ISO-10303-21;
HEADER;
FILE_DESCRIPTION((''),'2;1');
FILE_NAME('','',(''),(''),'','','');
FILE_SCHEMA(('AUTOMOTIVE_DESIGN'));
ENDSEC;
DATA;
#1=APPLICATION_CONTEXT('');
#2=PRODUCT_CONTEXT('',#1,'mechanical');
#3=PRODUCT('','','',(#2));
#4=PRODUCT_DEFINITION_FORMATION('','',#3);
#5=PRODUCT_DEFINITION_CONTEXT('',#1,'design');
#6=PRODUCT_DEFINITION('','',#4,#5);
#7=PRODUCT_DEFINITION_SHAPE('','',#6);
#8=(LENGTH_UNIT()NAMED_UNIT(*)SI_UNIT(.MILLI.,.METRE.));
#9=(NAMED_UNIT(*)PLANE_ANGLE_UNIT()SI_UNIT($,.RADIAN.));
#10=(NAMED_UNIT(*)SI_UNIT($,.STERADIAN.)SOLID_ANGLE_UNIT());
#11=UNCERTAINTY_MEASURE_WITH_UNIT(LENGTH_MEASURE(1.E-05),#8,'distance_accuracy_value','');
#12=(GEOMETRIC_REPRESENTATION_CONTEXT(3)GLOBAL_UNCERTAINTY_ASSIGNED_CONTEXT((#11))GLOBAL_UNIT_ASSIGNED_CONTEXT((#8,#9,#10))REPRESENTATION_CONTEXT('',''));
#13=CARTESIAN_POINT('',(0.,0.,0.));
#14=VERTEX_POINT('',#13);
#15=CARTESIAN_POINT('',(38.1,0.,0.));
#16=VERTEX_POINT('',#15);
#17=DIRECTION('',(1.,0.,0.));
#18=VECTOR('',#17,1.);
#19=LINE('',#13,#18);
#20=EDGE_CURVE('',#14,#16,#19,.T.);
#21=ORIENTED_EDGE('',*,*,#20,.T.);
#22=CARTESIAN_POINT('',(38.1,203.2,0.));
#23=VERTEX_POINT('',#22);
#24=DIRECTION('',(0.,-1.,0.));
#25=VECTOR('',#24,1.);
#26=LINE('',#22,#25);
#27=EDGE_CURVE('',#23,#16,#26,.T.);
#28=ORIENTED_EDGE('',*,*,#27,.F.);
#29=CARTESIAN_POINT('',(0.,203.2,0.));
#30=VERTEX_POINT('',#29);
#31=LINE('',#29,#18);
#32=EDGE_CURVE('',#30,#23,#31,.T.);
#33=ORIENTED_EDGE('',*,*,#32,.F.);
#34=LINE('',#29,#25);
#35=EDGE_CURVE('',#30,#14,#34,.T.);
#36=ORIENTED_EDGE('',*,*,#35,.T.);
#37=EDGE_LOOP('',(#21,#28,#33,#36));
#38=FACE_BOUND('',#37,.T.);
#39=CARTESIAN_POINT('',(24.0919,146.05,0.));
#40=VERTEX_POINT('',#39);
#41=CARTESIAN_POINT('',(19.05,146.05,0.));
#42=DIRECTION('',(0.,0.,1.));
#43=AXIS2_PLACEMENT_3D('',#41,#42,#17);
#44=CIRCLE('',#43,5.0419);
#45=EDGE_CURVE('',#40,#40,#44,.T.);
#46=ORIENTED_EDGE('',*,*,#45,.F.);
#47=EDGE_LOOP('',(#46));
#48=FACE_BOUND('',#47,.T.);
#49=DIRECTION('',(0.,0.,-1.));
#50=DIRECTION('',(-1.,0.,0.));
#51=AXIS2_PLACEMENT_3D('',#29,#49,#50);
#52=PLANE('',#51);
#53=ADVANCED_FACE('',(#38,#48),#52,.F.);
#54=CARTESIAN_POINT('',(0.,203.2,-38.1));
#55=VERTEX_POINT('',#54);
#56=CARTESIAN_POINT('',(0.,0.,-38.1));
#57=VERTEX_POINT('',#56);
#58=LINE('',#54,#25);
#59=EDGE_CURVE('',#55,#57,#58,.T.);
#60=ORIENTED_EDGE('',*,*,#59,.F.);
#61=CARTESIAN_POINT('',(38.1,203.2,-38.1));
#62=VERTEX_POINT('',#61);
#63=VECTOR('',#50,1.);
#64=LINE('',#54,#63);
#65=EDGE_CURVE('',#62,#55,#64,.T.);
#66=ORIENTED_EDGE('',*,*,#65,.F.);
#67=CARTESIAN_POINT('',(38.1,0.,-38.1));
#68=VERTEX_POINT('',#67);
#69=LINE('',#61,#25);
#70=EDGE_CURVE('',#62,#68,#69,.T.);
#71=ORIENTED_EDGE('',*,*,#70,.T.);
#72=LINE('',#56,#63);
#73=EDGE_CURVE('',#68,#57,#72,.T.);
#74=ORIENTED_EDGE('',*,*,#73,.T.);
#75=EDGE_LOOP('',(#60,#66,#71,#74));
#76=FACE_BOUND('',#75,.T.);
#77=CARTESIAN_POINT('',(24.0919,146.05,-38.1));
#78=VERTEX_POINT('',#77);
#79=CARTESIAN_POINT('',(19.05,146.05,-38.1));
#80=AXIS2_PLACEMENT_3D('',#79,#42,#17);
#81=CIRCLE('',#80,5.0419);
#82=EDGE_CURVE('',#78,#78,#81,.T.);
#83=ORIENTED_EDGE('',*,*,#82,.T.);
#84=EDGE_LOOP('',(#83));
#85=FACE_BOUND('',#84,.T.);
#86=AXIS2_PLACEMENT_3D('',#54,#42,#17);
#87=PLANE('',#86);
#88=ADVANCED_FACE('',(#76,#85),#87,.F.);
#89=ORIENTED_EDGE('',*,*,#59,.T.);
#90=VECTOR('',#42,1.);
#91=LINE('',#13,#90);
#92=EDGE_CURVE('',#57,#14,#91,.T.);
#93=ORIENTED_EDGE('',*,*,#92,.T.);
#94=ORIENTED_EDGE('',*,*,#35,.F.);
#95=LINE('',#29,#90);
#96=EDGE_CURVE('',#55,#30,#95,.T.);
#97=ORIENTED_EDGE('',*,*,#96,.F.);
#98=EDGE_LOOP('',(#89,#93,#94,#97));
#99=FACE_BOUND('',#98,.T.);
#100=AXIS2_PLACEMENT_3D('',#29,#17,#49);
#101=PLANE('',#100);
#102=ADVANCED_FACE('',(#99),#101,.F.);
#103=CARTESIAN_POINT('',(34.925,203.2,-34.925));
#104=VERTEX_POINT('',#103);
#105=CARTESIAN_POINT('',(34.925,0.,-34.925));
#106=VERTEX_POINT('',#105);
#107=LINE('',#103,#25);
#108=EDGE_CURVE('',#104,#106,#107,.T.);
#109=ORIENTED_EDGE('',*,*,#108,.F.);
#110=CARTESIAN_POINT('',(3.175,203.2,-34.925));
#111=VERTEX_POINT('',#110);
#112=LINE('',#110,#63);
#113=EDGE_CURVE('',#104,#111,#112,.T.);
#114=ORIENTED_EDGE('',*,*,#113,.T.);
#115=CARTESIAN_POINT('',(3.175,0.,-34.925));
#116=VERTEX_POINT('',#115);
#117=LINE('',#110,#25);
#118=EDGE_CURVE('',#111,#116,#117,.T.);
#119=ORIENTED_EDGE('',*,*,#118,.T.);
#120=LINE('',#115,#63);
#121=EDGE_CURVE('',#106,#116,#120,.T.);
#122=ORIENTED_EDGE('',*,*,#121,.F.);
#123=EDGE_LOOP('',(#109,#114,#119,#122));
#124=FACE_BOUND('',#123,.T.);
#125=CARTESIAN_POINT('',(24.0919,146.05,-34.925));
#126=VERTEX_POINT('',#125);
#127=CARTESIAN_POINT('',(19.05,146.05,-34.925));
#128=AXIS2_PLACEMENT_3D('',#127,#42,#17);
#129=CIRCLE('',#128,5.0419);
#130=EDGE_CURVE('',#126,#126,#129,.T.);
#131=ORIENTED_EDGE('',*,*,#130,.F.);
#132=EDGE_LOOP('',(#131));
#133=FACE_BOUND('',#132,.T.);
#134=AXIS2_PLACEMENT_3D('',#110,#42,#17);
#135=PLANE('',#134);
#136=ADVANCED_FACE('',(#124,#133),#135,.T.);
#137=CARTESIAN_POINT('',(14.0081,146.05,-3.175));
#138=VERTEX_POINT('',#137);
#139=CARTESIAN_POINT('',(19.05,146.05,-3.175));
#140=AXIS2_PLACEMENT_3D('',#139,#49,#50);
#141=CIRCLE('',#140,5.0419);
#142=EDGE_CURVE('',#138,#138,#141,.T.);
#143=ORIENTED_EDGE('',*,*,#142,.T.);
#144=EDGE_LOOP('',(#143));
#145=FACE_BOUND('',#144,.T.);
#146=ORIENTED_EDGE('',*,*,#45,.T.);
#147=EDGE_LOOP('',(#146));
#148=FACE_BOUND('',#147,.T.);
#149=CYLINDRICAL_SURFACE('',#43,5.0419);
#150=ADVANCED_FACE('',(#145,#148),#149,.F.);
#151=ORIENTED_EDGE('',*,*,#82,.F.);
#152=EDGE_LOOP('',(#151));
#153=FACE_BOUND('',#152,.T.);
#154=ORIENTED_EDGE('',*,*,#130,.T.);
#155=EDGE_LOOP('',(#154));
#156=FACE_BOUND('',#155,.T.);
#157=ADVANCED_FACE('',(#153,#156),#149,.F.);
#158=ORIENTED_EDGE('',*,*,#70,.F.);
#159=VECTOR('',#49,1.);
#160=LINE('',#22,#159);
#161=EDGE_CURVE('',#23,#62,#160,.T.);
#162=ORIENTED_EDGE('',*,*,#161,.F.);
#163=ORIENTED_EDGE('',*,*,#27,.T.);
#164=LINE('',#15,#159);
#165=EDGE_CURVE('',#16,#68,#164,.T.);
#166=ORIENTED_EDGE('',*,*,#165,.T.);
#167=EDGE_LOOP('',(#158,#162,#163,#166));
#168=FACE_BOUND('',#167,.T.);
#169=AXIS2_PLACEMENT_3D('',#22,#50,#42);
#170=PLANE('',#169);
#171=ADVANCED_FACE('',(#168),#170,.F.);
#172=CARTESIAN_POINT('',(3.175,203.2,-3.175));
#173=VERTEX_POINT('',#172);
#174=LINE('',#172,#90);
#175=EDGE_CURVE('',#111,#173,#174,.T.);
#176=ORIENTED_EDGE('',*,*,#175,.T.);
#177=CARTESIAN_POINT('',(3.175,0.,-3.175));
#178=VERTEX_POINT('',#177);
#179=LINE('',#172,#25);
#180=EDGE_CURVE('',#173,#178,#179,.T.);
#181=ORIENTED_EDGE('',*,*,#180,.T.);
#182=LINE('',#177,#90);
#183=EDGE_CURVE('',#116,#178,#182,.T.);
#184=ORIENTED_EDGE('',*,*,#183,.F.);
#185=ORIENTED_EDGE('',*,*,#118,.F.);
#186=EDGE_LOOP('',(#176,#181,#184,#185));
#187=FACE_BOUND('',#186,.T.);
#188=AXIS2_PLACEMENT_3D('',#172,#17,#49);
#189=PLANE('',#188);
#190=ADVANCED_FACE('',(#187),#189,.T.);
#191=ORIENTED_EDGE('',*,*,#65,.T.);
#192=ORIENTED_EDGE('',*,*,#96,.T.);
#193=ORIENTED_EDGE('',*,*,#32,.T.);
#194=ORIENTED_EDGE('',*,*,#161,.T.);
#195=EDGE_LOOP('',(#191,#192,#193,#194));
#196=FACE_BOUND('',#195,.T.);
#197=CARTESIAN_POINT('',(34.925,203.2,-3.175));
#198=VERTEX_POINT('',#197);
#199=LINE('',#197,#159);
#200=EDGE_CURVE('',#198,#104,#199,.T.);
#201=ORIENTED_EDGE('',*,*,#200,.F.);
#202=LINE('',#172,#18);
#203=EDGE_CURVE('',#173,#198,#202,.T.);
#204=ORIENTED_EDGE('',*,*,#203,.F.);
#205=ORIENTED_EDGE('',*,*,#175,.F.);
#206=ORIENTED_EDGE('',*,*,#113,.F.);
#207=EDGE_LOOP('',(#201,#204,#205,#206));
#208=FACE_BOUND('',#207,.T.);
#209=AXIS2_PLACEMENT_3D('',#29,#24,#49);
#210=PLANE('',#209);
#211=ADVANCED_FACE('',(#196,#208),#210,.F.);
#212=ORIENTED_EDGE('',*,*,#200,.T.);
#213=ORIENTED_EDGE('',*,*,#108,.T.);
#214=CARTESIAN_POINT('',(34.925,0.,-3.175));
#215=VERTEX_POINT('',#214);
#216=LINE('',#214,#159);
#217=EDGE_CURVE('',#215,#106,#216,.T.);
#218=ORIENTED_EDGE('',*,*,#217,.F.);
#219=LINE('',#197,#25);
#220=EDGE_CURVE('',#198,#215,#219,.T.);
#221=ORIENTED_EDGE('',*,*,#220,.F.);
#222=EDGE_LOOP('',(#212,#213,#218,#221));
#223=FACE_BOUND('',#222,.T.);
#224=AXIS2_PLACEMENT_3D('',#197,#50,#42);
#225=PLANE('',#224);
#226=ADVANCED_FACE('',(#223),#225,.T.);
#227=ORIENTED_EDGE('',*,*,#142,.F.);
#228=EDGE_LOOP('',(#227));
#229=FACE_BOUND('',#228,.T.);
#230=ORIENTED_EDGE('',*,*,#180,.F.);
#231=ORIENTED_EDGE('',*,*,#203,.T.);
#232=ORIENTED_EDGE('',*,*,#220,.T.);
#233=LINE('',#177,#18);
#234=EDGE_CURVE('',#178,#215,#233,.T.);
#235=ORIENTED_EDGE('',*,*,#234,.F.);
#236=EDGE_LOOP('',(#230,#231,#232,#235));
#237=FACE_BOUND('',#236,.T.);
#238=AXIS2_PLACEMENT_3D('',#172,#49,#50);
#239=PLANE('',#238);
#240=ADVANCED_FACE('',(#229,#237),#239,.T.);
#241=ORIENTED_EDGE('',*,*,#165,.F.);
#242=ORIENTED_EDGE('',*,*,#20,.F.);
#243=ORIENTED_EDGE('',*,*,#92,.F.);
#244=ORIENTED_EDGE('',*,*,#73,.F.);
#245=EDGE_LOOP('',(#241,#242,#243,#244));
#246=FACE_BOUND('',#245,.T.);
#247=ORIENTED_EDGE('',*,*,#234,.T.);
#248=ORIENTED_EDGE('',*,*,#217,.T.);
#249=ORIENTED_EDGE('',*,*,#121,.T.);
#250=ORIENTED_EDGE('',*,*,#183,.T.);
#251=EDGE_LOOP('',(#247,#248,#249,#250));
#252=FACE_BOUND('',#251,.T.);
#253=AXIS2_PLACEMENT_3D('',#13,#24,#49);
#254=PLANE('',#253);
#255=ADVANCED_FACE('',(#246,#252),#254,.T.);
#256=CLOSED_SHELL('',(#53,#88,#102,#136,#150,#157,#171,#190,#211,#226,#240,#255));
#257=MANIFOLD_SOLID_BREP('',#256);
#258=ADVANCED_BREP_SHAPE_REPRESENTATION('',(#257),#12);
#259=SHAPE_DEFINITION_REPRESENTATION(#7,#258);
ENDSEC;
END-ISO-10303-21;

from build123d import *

# Parameters (mm, degrees)
SKETCH1_W                = 38.1
SKETCH1_H                = 38.1
SKETCH1_W_2              = 31.75
SKETCH1_H_2              = 31.75
BOSS_EXTRUDE1_DEPTH      = 203.2
X_0_397_DIAMETER_HOLE1_D = 10.0838


with BuildPart() as part:
    # Sketch1 → Boss-Extrude1 (new body)
    with BuildSketch(Plane(origin=(0, 0, 0), x_dir=(1, 0, 0), z_dir=(0, 1, 0))):
        with Locations((19.05, 19.05)):
            Rectangle(SKETCH1_W, SKETCH1_H)
        with Locations((19.05, 19.05)):
            Rectangle(SKETCH1_W_2, SKETCH1_H_2, mode=Mode.SUBTRACT)
    extrude(amount=BOSS_EXTRUDE1_DEPTH)

    # X (0.397) Diameter Hole1 (through all)
    with Locations(Plane.XY):
        with Locations((19.05, 146.05)):
            Hole(X_0_397_DIAMETER_HOLE1_D / 2)


solid = part.part
